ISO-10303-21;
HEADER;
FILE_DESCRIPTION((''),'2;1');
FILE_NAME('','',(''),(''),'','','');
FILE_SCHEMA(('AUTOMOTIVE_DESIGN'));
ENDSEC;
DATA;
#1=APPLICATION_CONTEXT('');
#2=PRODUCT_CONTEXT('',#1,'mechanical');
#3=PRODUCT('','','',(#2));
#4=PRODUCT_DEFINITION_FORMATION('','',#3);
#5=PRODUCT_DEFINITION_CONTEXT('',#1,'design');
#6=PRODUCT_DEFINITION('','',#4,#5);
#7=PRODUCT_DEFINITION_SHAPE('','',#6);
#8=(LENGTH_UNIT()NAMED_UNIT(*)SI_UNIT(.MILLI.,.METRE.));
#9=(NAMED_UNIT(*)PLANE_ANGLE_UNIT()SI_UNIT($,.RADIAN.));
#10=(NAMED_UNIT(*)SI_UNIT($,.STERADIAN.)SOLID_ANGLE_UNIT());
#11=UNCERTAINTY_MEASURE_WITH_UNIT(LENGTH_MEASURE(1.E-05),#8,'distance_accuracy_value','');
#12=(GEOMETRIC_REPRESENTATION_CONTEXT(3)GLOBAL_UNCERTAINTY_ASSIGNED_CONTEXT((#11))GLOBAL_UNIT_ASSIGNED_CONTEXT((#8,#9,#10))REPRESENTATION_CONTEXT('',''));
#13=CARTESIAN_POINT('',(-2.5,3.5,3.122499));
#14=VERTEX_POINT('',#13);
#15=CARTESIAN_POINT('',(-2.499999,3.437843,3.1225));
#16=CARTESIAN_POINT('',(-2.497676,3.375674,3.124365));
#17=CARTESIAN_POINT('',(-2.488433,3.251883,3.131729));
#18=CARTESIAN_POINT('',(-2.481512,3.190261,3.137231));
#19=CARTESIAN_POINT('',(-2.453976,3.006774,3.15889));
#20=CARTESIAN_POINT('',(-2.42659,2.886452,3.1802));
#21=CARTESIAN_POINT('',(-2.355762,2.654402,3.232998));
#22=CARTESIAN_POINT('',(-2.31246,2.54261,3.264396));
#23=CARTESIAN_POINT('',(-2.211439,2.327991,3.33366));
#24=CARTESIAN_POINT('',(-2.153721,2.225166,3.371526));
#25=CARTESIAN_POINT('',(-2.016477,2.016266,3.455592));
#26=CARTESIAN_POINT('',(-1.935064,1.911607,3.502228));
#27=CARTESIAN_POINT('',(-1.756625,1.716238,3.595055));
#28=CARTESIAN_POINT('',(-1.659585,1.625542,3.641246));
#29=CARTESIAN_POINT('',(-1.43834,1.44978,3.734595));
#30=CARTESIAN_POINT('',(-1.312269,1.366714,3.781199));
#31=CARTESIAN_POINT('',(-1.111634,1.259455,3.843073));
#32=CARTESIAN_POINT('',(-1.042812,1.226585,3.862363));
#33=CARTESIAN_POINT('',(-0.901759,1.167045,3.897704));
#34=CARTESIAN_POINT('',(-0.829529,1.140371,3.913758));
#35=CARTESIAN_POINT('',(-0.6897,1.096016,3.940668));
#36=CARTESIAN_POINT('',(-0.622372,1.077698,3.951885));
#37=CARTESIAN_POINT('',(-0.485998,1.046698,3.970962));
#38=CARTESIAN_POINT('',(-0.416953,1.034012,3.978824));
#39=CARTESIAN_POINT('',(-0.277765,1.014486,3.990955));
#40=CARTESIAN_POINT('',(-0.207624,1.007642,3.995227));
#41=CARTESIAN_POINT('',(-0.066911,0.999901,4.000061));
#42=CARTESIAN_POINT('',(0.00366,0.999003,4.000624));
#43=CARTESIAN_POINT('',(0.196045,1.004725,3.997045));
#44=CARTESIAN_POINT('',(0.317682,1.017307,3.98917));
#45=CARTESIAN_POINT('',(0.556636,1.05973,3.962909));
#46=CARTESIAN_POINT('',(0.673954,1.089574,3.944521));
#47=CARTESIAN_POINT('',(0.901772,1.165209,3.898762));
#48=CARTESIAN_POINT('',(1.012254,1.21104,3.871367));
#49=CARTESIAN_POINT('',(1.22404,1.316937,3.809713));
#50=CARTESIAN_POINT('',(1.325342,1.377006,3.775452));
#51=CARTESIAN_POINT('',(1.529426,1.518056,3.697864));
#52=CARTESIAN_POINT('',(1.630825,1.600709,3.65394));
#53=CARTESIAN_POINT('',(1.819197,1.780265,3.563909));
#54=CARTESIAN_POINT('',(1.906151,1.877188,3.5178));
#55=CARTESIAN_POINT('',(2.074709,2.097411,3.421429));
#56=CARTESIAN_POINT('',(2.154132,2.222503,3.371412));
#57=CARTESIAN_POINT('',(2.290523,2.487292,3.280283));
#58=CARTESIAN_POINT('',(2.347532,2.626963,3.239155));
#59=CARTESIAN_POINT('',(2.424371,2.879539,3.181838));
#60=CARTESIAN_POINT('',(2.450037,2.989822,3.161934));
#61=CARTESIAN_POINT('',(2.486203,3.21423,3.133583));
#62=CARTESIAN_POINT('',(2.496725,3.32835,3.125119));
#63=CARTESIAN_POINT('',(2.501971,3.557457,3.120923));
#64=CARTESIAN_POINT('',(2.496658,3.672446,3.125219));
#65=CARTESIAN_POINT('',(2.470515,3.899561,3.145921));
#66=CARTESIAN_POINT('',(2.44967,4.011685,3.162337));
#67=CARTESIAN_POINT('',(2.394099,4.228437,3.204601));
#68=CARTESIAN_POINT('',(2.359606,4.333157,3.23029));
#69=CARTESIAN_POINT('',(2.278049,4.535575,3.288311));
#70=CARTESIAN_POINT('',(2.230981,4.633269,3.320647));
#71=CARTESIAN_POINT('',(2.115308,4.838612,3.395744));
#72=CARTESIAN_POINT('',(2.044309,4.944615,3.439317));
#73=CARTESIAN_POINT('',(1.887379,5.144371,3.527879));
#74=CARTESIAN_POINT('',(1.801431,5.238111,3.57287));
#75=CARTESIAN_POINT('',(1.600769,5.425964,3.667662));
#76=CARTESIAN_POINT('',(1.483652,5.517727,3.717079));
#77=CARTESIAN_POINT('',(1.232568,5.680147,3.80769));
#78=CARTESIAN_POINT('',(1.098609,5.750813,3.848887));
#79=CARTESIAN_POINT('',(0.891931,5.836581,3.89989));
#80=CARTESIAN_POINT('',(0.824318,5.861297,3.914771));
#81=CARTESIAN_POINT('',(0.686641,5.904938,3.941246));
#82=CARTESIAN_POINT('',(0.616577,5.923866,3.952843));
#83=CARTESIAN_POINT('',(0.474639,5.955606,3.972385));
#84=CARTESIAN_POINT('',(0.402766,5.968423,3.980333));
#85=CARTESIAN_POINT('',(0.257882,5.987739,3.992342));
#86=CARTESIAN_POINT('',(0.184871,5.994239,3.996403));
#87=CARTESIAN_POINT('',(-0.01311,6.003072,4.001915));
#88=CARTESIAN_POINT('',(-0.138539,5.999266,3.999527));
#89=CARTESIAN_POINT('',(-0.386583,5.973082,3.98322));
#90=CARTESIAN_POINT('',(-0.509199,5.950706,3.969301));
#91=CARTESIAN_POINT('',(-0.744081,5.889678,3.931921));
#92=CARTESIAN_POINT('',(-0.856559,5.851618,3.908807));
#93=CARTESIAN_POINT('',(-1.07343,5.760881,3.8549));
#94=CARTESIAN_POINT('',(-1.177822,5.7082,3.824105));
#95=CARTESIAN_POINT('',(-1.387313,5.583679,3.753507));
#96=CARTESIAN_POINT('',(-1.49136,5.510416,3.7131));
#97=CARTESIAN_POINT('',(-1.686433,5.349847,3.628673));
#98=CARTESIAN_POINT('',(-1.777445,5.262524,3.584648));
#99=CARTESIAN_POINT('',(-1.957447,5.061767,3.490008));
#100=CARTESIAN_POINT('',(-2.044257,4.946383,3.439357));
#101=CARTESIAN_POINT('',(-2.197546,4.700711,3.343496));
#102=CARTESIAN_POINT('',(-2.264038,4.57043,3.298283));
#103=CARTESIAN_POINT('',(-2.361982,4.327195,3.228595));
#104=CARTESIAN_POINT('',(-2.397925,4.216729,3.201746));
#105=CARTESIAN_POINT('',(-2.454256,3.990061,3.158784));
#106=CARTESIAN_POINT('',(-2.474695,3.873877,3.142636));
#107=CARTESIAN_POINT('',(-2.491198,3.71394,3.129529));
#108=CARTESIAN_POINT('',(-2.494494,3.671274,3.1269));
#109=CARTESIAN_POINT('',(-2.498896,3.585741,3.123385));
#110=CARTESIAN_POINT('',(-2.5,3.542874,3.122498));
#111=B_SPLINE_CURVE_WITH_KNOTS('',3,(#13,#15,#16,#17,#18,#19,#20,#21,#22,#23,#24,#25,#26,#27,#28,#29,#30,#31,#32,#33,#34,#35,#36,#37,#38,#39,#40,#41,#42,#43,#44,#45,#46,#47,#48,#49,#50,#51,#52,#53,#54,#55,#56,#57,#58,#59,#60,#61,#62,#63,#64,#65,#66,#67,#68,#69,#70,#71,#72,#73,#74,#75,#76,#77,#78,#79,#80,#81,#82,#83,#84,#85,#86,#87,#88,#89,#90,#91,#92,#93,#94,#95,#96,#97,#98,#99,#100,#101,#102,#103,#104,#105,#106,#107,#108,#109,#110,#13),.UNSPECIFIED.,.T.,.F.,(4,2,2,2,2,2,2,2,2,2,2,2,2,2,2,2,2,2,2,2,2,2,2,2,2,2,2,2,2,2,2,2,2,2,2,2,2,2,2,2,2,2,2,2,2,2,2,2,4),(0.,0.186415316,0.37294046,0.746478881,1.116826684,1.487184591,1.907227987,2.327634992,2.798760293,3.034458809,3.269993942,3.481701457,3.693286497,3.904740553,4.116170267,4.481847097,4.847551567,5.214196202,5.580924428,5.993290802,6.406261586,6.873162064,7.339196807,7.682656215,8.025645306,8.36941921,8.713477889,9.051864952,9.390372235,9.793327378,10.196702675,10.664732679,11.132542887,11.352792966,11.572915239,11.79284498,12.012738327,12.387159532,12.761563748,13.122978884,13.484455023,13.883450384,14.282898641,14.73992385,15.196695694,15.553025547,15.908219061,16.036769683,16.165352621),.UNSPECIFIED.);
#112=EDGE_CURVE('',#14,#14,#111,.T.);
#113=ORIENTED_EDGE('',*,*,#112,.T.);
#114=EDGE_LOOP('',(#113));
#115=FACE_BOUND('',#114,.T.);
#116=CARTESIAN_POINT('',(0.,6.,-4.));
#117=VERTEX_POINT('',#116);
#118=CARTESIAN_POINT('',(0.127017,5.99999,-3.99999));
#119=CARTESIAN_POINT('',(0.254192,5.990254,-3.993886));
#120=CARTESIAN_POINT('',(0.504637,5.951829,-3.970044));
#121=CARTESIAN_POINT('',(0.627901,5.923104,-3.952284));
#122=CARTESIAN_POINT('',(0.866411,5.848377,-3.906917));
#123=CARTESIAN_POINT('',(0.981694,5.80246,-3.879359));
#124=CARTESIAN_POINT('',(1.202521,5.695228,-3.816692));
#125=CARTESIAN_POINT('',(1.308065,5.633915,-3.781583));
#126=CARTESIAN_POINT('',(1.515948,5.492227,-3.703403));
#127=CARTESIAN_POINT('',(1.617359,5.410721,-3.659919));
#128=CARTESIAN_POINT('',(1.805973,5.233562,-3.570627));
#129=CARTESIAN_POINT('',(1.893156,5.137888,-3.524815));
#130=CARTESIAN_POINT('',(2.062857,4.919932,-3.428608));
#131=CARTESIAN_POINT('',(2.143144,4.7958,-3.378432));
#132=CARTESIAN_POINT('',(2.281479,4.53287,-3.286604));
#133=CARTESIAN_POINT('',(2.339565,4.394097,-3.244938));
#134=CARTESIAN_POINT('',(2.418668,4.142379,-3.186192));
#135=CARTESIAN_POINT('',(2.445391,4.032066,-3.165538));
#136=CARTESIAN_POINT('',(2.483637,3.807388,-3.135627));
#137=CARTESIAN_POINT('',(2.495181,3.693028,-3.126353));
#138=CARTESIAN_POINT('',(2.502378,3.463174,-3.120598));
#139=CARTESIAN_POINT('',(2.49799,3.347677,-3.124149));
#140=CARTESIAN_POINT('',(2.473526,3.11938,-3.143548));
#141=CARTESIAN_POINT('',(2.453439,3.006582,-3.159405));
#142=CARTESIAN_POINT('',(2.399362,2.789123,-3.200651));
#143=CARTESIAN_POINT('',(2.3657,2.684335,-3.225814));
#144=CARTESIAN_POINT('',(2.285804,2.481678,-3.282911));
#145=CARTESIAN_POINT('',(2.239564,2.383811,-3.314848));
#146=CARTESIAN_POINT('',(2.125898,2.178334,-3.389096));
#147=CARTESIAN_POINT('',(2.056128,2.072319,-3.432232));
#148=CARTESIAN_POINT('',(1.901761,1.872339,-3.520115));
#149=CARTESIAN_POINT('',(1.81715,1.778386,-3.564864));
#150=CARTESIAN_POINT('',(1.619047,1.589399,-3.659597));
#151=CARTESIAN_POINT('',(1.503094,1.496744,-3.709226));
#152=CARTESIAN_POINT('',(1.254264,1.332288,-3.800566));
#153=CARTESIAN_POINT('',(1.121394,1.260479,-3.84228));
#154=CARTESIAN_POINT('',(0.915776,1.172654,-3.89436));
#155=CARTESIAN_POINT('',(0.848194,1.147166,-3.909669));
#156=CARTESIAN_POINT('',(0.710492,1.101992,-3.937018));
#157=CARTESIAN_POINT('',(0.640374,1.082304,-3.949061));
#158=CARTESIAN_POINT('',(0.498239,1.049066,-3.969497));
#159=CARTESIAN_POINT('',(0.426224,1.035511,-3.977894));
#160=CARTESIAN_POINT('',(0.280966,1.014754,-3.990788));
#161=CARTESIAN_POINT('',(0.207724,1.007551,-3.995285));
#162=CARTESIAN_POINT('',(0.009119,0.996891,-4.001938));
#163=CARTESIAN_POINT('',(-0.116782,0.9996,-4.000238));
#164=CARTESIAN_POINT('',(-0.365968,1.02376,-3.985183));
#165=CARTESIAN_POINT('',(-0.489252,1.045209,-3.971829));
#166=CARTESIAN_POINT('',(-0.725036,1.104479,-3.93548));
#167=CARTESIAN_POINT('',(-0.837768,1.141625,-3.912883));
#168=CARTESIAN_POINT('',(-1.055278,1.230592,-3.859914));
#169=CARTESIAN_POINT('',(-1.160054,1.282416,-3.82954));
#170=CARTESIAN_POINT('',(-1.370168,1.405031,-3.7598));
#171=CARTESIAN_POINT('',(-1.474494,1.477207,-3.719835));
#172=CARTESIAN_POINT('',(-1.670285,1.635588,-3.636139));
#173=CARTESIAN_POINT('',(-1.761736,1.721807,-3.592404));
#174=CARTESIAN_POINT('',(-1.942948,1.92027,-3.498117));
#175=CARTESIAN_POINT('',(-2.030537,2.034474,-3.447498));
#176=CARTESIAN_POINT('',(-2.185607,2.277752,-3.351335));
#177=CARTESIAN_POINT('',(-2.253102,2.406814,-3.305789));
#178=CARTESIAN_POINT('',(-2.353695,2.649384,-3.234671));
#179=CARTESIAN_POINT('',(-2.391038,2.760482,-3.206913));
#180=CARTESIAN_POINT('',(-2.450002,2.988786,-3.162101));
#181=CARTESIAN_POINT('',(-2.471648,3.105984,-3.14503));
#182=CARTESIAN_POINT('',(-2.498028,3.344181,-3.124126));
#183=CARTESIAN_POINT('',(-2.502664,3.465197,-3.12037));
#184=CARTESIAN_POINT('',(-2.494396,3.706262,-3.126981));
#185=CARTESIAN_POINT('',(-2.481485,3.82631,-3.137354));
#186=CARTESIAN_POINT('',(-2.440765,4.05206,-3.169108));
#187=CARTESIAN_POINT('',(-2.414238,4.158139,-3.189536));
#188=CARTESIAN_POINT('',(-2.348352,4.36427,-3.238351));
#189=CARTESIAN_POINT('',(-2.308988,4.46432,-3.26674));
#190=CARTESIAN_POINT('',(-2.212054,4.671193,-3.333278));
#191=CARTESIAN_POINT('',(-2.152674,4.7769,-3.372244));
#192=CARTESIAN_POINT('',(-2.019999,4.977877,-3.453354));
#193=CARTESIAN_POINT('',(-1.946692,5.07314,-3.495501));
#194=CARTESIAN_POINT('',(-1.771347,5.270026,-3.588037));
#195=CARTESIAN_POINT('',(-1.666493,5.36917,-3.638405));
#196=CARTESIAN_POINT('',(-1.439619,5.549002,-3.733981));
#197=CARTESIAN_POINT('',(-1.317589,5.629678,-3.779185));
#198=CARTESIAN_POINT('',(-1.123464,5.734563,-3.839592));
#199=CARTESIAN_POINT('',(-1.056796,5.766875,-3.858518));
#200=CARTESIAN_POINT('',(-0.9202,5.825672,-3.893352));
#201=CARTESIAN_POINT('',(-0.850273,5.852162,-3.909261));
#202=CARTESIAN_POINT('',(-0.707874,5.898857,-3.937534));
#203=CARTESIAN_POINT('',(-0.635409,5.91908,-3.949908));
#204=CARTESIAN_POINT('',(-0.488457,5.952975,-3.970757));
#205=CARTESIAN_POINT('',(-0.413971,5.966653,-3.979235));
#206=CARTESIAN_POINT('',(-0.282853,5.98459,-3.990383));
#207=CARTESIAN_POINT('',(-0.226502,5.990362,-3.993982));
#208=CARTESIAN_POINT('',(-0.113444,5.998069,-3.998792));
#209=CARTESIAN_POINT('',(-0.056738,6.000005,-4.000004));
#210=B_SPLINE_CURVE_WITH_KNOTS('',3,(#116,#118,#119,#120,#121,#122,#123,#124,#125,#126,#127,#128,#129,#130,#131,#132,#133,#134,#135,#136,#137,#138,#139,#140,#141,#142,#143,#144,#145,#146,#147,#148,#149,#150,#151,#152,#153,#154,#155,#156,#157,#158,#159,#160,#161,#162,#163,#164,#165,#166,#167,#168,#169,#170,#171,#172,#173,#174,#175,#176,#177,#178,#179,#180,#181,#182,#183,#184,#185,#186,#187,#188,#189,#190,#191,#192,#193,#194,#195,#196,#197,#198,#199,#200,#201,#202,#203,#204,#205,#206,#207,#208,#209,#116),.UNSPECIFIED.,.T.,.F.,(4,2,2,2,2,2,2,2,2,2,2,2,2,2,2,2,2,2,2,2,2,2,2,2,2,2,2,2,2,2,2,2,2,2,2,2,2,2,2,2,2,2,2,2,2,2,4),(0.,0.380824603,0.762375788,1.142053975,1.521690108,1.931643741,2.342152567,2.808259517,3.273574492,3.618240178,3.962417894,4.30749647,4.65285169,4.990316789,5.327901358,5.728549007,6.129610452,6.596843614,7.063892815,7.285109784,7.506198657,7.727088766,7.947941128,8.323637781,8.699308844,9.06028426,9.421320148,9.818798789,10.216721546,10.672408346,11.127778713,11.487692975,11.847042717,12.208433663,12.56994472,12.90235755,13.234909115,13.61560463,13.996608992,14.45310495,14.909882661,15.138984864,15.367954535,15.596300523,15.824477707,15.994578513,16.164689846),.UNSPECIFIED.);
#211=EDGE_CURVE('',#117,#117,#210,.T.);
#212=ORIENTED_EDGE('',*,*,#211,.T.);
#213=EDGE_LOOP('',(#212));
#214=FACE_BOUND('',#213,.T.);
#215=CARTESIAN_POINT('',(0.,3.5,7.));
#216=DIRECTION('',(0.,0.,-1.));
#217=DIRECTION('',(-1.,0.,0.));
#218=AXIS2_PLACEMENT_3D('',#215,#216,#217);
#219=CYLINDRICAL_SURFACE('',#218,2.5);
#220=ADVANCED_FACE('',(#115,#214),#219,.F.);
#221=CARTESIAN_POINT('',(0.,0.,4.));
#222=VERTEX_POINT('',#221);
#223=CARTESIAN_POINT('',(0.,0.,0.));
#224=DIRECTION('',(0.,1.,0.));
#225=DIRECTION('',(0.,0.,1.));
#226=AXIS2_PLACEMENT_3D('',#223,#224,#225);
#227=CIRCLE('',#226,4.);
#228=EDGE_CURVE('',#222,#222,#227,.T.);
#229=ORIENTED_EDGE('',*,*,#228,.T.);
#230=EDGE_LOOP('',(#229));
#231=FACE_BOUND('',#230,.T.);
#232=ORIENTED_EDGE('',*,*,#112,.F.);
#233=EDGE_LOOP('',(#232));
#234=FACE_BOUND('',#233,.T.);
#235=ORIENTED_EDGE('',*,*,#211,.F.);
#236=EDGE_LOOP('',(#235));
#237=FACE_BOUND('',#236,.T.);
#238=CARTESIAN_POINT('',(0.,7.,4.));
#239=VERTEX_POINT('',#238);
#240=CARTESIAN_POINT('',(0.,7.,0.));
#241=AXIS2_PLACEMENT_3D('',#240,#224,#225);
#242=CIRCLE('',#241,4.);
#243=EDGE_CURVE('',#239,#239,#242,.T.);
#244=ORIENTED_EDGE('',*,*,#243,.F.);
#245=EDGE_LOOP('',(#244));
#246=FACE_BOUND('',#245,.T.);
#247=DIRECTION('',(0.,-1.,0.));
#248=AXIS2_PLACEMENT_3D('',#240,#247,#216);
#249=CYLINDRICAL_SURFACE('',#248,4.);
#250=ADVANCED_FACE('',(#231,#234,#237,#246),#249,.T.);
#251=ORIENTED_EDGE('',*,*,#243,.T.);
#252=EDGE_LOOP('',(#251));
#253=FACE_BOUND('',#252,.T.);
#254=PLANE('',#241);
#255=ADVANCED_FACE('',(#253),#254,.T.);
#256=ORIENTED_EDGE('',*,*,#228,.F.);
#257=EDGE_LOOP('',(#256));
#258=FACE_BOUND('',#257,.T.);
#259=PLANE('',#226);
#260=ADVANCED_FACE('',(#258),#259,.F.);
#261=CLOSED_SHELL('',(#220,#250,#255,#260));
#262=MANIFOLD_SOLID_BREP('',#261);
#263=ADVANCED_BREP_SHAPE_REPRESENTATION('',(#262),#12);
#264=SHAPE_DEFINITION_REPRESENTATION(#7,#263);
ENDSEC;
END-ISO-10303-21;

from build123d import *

# Parameters (mm, degrees)
SKETCH1_R               = 4
BOSS_EXTRUDE1_DEPTH     = 7
CUT_EXTRUDE1_DEPTH      = 7
CUT_EXTRUDE1_DEPTH_BACK = 7
SKETCH2_R               = 2.5


with BuildPart() as part:
    # Sketch1 → Boss-Extrude1 (new body)
    with BuildSketch(Plane(origin=(0, 0, 0), x_dir=(1, 0, 0), z_dir=(0, 1, 0))):
        Circle(SKETCH1_R)
    extrude(amount=BOSS_EXTRUDE1_DEPTH)

    # Sketch2 → Cut-Extrude1 (cut, two sides: drawn at the far end of the back side and taken through both)
    with BuildSketch(Plane.XY.offset(-CUT_EXTRUDE1_DEPTH_BACK)):
        with Locations((0, 3.5)):
            Circle(SKETCH2_R)
    extrude(amount=CUT_EXTRUDE1_DEPTH + CUT_EXTRUDE1_DEPTH_BACK, mode=Mode.SUBTRACT)


solid = part.part
